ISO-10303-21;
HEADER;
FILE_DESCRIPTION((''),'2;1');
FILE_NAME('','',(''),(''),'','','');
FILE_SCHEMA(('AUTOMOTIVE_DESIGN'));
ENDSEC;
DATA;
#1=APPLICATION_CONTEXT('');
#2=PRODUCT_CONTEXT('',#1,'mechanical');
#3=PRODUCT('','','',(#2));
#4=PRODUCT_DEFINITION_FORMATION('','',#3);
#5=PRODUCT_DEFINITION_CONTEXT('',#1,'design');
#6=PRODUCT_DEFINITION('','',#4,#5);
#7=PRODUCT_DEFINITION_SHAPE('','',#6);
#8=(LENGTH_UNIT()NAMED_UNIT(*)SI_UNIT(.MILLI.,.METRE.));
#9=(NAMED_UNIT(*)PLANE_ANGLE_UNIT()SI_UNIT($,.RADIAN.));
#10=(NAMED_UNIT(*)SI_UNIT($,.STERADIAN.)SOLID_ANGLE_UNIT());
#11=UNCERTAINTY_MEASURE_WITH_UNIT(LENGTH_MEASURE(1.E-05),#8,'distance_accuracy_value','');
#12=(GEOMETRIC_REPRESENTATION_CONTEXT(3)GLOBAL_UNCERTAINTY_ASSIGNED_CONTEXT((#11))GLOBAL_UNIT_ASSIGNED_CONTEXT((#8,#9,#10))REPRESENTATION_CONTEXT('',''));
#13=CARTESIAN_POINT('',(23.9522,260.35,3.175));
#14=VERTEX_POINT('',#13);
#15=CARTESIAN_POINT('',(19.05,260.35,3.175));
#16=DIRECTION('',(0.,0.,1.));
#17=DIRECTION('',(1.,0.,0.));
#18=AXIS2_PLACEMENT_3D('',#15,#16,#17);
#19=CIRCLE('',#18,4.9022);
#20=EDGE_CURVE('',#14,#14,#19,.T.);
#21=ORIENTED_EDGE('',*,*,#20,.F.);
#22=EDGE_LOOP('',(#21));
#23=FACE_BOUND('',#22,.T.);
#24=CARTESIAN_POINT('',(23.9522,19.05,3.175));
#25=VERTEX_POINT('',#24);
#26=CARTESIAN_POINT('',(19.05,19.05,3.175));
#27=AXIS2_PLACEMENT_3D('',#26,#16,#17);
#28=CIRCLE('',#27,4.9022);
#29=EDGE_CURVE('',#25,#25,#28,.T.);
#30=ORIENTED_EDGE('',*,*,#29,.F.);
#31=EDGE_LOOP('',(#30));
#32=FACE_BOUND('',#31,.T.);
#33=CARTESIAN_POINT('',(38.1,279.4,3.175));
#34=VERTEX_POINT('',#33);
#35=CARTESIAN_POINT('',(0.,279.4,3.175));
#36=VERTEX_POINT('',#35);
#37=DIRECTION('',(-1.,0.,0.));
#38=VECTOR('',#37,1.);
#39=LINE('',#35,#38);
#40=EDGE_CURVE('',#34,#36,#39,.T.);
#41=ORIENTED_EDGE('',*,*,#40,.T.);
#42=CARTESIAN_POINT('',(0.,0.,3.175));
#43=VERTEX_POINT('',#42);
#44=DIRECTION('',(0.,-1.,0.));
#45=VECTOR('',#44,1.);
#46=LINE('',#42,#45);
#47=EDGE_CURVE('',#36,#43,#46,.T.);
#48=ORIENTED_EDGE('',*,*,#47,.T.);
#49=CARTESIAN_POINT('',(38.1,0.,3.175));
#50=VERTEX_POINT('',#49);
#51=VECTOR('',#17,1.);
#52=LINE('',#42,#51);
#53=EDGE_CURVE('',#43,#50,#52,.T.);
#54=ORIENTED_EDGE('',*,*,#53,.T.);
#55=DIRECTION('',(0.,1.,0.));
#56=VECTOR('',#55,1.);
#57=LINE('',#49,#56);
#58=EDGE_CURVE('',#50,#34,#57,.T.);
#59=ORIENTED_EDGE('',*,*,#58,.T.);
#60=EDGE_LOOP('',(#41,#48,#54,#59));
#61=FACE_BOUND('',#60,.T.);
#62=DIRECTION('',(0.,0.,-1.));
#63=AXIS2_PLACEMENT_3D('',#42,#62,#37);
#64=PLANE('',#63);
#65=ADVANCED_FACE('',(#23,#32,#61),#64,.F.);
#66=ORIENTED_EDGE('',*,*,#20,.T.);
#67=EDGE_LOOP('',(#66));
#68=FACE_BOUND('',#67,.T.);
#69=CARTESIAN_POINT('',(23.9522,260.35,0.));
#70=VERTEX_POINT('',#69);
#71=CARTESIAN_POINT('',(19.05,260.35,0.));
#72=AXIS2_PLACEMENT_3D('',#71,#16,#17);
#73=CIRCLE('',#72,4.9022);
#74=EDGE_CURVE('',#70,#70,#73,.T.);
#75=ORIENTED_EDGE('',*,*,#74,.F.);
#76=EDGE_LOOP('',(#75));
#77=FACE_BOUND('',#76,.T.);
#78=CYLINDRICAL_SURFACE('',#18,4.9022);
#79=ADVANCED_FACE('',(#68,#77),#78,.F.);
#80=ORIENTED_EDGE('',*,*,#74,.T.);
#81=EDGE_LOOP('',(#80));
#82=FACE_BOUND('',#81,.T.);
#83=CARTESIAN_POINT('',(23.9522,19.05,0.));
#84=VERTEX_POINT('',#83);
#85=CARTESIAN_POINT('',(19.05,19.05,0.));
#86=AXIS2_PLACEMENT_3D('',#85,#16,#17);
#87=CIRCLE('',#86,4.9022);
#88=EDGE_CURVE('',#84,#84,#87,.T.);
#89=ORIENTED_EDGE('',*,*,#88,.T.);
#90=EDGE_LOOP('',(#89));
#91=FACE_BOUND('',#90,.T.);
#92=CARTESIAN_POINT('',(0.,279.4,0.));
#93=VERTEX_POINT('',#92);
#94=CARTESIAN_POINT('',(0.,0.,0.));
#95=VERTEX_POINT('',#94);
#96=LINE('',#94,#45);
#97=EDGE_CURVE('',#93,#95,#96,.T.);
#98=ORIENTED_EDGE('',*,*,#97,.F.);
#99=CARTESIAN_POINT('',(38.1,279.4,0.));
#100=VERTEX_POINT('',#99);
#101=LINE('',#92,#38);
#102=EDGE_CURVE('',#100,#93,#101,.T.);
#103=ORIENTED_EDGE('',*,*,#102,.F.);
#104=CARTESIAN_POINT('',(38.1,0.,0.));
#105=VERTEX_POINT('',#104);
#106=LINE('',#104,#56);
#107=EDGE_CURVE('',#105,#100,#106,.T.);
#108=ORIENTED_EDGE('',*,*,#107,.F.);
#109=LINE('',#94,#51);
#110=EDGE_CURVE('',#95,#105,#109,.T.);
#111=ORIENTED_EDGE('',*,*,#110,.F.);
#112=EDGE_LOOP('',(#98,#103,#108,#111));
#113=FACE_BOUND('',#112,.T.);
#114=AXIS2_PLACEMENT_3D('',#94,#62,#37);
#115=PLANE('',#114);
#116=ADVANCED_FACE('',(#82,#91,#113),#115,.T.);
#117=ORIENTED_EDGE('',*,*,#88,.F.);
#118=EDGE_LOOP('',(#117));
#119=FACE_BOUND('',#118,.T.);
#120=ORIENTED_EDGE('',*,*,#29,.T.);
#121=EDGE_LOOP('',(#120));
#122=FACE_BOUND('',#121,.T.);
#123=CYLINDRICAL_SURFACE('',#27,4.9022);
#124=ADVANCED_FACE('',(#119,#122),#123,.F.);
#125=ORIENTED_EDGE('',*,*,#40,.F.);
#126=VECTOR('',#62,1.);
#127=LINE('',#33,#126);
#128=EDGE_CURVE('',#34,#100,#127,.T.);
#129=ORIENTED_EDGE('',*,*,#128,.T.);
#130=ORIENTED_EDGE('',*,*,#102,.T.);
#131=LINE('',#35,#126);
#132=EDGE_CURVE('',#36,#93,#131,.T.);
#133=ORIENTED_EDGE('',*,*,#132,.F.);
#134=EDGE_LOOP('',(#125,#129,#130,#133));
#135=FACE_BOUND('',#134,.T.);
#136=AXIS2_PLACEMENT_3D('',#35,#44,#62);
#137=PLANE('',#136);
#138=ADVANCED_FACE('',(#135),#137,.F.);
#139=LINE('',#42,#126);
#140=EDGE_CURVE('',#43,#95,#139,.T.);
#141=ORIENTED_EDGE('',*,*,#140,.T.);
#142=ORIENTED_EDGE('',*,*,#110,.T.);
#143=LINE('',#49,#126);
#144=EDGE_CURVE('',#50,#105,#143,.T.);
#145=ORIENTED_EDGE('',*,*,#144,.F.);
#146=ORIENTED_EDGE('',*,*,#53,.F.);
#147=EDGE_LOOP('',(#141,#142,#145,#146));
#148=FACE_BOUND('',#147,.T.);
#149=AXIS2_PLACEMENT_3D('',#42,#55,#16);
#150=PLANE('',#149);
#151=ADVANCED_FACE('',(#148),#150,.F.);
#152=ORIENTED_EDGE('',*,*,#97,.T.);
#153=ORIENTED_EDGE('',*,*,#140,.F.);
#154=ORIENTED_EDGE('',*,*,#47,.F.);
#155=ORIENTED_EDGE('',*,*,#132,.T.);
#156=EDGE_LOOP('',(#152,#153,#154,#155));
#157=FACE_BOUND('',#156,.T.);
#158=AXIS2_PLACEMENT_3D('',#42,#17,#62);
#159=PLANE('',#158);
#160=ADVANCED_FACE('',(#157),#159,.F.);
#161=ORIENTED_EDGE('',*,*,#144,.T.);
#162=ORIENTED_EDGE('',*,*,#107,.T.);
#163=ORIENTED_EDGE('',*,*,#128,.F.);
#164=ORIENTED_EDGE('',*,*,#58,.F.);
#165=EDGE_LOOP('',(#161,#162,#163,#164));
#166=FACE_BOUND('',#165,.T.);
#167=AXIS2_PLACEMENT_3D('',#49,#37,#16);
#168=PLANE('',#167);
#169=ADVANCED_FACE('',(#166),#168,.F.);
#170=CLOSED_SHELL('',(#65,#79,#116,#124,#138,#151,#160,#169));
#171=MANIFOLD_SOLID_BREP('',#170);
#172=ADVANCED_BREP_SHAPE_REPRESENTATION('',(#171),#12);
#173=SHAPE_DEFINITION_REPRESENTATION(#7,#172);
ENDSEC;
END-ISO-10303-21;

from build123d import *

# Parameters (mm, degrees)
SKETCH1_W                = 38.1
SKETCH1_H                = 279.4
BOSS_EXTRUDE1_DEPTH      = 3.175
W_0_386_DIAMETER_HOLE1_D = 9.8044


with BuildPart() as part:
    # Sketch1 → Boss-Extrude1 (new body)
    with BuildSketch(Plane.XY):
        with Locations((19.05, 139.7)):
            Rectangle(SKETCH1_W, SKETCH1_H)
    extrude(amount=BOSS_EXTRUDE1_DEPTH)

    # W (0.386) Diameter Hole1 (through all)
    with Locations(Plane.XY.offset(3.175)):
        with Locations((19.05, 260.35), (19.05, 19.05)):
            Hole(W_0_386_DIAMETER_HOLE1_D / 2)


solid = part.part
